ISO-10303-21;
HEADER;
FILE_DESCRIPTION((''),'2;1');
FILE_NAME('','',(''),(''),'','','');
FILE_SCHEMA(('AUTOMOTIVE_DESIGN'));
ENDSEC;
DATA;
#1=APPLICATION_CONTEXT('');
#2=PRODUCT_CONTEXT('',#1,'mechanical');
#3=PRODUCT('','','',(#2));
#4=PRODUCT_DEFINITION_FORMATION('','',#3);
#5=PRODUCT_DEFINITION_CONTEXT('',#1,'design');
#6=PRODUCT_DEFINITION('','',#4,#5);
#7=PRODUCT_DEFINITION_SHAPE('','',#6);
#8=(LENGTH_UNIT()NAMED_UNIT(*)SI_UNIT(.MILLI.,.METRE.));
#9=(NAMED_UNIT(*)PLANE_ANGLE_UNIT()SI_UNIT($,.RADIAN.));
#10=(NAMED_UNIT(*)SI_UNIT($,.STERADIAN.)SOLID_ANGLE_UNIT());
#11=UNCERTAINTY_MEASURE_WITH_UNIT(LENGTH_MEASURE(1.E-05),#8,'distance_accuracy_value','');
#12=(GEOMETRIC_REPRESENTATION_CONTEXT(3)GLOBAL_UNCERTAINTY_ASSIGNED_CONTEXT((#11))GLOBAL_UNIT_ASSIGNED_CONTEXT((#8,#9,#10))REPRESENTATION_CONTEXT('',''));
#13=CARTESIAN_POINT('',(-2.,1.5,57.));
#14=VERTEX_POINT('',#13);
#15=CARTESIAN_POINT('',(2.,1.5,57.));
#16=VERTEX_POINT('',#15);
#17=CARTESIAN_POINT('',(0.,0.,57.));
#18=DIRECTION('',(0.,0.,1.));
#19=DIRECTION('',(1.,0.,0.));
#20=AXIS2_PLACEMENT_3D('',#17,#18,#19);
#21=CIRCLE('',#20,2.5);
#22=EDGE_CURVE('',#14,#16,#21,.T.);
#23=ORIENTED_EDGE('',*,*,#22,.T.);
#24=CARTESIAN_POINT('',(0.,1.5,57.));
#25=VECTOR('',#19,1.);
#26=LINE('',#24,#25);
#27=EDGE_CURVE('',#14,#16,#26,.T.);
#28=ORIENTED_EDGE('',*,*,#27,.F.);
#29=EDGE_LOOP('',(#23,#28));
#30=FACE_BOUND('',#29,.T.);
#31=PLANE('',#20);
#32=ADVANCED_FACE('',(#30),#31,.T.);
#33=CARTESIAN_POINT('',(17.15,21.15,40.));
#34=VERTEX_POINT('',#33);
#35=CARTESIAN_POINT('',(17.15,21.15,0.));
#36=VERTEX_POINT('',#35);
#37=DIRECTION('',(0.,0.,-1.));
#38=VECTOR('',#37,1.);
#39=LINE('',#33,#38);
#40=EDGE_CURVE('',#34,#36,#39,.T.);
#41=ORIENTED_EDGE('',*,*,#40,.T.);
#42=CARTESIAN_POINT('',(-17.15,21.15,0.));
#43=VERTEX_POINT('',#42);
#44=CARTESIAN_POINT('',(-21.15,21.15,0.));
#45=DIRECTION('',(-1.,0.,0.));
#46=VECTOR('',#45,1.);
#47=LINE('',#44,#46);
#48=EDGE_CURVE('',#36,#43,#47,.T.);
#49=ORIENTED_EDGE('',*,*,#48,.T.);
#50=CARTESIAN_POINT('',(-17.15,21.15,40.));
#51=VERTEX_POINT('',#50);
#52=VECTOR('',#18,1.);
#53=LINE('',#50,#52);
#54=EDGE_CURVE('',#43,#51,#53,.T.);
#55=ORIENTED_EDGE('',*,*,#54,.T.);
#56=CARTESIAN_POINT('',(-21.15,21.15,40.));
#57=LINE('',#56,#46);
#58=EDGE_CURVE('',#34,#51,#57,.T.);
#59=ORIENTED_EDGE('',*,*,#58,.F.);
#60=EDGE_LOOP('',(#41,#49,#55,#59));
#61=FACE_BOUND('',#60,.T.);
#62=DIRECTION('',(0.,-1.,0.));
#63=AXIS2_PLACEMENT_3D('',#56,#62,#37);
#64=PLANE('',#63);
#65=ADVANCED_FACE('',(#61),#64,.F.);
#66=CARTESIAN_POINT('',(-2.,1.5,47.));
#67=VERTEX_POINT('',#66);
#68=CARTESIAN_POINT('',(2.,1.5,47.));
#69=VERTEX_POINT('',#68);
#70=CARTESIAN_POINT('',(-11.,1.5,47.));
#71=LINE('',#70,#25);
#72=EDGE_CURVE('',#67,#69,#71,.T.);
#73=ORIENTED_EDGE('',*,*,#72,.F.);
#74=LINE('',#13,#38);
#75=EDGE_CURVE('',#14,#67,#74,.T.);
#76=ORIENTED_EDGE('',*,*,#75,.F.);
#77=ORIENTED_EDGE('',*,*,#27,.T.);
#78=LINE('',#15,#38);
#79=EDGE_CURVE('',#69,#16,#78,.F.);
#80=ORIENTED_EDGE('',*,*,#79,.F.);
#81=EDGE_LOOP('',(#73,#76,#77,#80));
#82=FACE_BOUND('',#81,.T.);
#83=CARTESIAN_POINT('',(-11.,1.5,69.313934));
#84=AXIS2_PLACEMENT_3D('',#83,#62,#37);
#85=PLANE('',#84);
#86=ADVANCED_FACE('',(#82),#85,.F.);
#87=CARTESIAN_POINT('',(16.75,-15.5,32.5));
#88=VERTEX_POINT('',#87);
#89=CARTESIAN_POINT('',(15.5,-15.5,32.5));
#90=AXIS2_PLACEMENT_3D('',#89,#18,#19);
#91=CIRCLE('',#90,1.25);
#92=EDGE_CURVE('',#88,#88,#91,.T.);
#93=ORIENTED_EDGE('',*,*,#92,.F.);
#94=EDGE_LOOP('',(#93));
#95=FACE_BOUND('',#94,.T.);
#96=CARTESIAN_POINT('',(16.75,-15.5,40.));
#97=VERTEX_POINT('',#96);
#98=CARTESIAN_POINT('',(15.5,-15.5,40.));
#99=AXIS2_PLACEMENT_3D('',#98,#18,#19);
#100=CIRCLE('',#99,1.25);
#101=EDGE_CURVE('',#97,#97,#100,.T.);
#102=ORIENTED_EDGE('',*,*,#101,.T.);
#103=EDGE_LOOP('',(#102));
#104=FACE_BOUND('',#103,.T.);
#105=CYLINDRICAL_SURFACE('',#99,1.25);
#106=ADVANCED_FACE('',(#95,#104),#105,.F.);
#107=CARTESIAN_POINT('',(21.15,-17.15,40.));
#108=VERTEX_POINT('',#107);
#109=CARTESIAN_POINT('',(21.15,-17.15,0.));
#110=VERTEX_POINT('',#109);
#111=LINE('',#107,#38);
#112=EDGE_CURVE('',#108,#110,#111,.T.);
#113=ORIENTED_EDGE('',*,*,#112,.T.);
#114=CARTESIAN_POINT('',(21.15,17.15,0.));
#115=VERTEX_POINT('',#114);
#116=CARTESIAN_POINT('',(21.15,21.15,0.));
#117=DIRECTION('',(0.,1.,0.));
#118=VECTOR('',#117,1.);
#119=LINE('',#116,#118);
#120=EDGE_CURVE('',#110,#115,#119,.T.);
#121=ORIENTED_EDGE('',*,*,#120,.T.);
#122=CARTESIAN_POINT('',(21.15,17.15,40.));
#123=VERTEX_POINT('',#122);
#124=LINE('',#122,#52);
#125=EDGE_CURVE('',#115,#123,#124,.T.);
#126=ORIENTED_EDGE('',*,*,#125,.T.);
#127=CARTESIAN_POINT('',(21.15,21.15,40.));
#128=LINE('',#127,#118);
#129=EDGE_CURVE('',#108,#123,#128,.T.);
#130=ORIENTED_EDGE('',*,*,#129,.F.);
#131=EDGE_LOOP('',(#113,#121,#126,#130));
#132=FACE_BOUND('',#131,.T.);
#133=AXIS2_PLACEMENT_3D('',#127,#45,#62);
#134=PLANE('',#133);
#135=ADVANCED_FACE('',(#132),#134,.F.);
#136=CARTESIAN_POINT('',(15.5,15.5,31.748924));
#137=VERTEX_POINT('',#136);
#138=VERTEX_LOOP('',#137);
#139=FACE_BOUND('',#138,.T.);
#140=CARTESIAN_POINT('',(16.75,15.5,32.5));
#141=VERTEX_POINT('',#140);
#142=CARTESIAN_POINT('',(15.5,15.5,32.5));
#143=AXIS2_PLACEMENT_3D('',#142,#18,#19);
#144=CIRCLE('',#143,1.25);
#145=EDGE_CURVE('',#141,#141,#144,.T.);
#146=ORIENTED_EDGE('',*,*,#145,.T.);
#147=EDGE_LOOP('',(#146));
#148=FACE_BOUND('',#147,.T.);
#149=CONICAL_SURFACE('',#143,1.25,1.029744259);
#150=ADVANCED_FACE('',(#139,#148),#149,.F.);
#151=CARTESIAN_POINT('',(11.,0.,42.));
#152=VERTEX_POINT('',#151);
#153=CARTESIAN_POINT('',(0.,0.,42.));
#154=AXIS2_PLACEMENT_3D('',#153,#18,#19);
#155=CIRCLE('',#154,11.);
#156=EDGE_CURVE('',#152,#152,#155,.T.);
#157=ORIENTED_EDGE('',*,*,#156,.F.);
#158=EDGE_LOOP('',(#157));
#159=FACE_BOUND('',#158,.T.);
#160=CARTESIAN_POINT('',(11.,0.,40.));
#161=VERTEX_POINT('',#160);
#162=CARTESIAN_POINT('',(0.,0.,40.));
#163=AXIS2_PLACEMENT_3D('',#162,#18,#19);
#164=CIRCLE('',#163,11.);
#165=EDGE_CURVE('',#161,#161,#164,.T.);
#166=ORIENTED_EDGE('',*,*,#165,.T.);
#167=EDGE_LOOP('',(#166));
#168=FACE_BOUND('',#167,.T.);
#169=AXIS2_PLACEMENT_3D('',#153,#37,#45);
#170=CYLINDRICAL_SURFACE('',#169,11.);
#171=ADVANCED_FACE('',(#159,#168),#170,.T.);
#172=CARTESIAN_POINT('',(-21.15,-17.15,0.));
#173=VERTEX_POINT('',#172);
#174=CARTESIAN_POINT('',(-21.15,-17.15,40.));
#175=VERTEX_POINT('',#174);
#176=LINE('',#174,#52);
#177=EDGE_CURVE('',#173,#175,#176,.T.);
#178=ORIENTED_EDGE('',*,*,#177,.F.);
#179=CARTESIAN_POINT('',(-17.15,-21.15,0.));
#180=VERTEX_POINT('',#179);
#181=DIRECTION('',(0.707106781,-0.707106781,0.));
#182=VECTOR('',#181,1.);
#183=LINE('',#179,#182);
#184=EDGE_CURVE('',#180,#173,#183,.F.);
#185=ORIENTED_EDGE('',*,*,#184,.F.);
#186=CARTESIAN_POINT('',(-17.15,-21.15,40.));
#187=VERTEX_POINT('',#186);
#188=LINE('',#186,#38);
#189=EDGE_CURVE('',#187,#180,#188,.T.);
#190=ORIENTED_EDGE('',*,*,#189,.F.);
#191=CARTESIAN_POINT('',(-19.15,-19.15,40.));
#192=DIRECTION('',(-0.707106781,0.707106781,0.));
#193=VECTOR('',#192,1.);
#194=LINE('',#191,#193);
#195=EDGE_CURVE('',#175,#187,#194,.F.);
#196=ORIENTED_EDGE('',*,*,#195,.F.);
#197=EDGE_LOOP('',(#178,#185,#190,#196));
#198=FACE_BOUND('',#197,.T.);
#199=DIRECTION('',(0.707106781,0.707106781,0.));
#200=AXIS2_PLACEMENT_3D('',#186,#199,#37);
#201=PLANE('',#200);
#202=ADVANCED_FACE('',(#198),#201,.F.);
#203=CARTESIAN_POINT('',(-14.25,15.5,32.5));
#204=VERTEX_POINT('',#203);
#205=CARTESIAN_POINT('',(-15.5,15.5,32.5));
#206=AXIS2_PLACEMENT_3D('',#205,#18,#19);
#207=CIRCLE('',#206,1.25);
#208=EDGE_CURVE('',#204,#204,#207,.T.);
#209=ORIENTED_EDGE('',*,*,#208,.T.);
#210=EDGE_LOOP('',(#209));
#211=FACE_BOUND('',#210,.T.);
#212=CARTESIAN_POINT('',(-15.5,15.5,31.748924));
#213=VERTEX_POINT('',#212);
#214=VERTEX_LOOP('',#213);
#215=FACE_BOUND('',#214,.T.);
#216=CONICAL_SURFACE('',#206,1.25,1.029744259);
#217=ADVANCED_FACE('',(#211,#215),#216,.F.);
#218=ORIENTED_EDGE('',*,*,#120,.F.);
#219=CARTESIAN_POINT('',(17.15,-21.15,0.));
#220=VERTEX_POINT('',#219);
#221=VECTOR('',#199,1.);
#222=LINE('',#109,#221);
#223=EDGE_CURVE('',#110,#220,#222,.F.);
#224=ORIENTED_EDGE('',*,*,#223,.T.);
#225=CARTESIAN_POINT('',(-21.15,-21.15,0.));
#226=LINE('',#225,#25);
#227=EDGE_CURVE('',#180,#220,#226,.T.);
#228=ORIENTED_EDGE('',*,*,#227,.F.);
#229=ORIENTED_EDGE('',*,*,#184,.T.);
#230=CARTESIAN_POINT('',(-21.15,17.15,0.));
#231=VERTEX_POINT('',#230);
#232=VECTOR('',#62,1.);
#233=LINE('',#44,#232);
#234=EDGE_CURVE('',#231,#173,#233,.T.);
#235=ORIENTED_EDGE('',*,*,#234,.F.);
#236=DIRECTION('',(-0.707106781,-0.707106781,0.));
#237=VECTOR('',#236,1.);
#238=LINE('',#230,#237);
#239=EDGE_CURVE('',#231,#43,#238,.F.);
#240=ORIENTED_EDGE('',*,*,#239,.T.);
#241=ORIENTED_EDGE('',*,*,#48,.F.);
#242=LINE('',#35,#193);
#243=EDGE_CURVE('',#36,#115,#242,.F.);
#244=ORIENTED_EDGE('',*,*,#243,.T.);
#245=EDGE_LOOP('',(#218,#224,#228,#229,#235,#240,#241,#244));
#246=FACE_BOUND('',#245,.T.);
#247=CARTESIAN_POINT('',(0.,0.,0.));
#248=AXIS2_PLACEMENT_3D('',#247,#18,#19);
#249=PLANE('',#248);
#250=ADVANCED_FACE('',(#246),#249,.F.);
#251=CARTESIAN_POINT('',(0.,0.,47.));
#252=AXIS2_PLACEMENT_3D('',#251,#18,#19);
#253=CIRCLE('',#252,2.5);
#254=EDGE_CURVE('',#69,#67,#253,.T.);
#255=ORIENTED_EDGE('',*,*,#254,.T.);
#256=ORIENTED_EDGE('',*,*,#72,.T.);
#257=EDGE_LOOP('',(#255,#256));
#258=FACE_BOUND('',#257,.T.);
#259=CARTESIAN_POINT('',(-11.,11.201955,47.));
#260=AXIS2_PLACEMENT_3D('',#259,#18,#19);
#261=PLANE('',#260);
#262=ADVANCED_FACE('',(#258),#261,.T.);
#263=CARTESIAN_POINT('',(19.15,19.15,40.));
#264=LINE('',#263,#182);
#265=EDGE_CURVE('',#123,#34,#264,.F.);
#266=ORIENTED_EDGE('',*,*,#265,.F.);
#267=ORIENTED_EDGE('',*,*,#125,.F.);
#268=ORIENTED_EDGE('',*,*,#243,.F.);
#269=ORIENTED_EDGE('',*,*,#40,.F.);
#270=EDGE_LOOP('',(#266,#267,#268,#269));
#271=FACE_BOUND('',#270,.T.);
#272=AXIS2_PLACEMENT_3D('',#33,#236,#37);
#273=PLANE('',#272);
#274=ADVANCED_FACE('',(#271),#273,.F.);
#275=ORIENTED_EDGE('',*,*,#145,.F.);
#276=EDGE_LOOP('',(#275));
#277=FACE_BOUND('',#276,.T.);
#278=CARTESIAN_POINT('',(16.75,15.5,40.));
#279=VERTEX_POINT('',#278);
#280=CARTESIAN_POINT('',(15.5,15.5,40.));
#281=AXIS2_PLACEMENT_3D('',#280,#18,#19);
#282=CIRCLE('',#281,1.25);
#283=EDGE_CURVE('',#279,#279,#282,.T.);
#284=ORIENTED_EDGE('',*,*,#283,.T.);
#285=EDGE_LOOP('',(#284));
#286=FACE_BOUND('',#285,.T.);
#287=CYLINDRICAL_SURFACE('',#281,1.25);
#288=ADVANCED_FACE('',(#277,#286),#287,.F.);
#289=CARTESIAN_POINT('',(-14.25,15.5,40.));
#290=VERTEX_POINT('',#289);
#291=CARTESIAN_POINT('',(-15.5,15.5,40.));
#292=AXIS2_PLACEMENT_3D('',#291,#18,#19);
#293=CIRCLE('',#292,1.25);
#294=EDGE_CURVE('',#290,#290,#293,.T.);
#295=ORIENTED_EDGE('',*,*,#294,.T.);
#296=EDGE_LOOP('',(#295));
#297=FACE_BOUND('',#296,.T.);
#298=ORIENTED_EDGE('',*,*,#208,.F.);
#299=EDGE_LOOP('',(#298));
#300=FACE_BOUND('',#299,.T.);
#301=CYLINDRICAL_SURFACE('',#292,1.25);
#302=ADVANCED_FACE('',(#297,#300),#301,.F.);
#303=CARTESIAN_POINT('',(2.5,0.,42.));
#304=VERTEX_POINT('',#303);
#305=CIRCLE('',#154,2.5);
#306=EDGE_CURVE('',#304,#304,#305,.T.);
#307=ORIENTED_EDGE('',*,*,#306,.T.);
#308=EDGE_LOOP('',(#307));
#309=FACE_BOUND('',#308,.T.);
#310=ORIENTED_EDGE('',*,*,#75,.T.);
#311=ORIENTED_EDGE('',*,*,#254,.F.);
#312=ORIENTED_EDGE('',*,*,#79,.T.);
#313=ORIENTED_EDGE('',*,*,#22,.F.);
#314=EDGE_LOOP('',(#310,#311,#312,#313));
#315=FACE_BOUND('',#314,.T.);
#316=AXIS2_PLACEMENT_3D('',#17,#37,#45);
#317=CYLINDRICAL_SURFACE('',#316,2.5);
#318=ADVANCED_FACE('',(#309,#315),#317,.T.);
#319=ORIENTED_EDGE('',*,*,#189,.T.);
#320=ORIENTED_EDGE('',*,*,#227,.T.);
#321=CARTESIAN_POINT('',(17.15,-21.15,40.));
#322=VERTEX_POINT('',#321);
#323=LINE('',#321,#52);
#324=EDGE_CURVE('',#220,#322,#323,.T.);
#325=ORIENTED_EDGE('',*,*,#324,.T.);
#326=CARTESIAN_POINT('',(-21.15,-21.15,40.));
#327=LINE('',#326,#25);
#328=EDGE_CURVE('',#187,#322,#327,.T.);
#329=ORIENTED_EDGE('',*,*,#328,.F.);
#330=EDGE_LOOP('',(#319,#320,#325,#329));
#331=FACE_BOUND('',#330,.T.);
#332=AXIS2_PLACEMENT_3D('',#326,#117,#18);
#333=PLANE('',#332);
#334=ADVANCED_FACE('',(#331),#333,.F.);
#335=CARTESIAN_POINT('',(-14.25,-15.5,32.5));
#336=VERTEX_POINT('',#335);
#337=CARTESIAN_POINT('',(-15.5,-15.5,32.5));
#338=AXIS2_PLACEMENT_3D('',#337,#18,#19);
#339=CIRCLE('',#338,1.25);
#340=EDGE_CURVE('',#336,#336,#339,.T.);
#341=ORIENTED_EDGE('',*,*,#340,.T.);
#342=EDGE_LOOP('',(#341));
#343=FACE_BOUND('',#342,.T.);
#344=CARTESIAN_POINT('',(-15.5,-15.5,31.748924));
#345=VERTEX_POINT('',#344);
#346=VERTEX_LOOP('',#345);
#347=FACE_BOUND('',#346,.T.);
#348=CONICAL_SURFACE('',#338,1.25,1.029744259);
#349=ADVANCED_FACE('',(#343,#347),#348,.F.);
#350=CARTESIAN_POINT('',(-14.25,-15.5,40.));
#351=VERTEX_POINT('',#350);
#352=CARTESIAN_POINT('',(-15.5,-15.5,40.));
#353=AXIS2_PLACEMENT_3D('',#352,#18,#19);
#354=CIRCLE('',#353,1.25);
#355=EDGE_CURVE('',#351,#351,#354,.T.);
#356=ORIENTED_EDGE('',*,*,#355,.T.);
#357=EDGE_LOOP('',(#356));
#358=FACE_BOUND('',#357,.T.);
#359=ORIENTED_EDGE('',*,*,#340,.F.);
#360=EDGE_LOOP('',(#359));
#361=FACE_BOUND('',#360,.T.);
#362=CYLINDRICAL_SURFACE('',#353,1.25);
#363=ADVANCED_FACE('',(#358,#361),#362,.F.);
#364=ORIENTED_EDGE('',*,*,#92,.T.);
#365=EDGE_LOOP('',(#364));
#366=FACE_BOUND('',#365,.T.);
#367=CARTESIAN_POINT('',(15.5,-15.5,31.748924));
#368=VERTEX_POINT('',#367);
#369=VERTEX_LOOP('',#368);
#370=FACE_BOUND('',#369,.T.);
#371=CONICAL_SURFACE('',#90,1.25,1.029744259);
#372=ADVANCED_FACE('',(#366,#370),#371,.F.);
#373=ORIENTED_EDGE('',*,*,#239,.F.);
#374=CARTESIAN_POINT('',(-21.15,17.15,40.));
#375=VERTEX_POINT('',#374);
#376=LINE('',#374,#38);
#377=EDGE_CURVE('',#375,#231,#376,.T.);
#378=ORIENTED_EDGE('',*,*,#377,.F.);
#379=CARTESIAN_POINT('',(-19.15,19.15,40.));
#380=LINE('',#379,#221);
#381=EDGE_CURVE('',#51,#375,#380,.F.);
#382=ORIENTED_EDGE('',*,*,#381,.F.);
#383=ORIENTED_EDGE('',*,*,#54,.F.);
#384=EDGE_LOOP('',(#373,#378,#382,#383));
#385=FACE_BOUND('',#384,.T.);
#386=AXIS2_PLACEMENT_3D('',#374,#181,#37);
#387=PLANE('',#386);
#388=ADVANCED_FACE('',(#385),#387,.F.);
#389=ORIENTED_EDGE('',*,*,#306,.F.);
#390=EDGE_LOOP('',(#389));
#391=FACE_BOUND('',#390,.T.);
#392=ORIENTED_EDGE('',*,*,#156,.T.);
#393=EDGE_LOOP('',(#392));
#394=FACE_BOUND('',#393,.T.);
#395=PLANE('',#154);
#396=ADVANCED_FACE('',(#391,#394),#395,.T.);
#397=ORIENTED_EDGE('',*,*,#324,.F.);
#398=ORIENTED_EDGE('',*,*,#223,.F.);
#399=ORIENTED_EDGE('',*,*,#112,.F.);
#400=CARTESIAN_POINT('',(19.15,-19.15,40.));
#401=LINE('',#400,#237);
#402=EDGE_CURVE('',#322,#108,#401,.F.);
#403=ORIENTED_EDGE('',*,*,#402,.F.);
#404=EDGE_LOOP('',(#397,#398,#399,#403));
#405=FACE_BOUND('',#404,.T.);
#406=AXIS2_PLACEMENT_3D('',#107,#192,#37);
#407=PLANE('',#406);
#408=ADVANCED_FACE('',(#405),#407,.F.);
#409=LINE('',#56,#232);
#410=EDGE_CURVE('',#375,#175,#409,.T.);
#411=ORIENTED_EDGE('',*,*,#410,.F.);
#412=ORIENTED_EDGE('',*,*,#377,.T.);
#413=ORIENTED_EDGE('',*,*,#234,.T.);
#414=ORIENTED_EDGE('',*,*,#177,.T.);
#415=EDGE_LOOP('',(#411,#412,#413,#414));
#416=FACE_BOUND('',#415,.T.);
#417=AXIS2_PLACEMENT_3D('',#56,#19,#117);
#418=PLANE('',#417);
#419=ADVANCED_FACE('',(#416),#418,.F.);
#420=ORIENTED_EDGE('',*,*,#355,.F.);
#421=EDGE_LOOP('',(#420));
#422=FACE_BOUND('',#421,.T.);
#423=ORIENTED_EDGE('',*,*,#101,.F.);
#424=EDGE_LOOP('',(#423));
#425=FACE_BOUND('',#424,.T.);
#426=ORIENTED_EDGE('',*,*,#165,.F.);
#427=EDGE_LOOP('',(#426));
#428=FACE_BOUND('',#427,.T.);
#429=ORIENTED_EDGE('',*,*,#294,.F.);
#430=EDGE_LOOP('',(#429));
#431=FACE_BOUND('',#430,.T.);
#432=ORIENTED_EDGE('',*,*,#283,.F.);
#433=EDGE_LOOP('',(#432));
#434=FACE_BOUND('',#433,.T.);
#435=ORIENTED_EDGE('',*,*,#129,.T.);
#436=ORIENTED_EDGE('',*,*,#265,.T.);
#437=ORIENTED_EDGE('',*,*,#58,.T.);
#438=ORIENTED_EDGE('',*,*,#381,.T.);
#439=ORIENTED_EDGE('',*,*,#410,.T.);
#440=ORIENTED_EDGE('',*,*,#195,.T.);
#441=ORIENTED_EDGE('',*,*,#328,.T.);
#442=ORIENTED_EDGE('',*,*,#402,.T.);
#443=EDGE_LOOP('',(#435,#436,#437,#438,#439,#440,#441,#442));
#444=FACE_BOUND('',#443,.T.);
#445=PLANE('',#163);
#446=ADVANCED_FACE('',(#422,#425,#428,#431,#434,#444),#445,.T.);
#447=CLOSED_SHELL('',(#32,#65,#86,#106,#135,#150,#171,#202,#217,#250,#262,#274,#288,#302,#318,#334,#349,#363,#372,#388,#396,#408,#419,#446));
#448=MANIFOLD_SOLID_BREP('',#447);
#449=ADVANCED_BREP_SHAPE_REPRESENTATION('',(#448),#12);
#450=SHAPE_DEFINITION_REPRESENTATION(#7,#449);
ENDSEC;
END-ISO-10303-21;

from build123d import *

# Parameters (mm, degrees)
SKETCH_1_W             = 42.3
SKETCH_1_H             = 42.3
EXTRUDE_1_DEPTH        = 40
SKETCH_2_R             = 11
EXTRUDE_2_DEPTH        = 2
SKETCH_3_R             = 2.5
EXTRUDE_3_DEPTH        = 15
SKETCH_4_W             = 22.313934425
SKETCH_4_H             = 9.701954983
CUT_EXTRUDE_1_DEPTH    = 11
CHAMFER_1_SIZE         = 4
HOLE_WIZARD_M3_1_D     = 2.5
HOLE_WIZARD_M3_1_DEPTH = 7.5
HOLE_WIZARD_M3_1_TIP   = 0.751075774


with BuildPart() as part:
    # 草图1 → 凸台-拉伸1 (new body)
    with BuildSketch(Plane.XY):
        Rectangle(SKETCH_1_W, SKETCH_1_H)
    extrude(amount=EXTRUDE_1_DEPTH)

    # 草图2 → 凸台-拉伸2 (add)
    with BuildSketch(Plane.XY.offset(40)):
        Circle(SKETCH_2_R)
    extrude(amount=EXTRUDE_2_DEPTH)

    # 草图3 → 凸台-拉伸3 (add)
    with BuildSketch(Plane.XY.offset(42)):
        Circle(SKETCH_3_R)
    extrude(amount=EXTRUDE_3_DEPTH)

    # 草图4 → 切除-拉伸1 (cut, symmetric)
    with BuildSketch(Plane(origin=(0, 0, 0), x_dir=(0, 0, -1), z_dir=(1, 0, 0))):
        with Locations((-58.156967212, 6.350977492)):
            Rectangle(SKETCH_4_W, SKETCH_4_H)
    extrude(amount=CUT_EXTRUDE_1_DEPTH, both=True, mode=Mode.SUBTRACT)

    # 倒角1
    chamfer_1_edges = [part.edges().sort_by_distance(p)[0] for p in [
        (21.15, -21.15, 20),
        (-21.15, -21.15, 20),
        (-21.15, 21.15, 20),
        (21.15, 21.15, 20),
    ]]
    chamfer(chamfer_1_edges, length=CHAMFER_1_SIZE)

    # M3 螺纹孔1
    with Locations(Plane.XY.offset(40)):
        with Locations((-15.5, 15.5), (-15.5, -15.5), (15.5, -15.5), (15.5, 15.5)):
            Hole(HOLE_WIZARD_M3_1_D / 2, depth=HOLE_WIZARD_M3_1_DEPTH)
            with Locations((0, 0, -(HOLE_WIZARD_M3_1_DEPTH + HOLE_WIZARD_M3_1_TIP / 2))):  # 118° drill point
                Cone(0, HOLE_WIZARD_M3_1_D / 2, HOLE_WIZARD_M3_1_TIP, mode=Mode.SUBTRACT)


solid = part.part
